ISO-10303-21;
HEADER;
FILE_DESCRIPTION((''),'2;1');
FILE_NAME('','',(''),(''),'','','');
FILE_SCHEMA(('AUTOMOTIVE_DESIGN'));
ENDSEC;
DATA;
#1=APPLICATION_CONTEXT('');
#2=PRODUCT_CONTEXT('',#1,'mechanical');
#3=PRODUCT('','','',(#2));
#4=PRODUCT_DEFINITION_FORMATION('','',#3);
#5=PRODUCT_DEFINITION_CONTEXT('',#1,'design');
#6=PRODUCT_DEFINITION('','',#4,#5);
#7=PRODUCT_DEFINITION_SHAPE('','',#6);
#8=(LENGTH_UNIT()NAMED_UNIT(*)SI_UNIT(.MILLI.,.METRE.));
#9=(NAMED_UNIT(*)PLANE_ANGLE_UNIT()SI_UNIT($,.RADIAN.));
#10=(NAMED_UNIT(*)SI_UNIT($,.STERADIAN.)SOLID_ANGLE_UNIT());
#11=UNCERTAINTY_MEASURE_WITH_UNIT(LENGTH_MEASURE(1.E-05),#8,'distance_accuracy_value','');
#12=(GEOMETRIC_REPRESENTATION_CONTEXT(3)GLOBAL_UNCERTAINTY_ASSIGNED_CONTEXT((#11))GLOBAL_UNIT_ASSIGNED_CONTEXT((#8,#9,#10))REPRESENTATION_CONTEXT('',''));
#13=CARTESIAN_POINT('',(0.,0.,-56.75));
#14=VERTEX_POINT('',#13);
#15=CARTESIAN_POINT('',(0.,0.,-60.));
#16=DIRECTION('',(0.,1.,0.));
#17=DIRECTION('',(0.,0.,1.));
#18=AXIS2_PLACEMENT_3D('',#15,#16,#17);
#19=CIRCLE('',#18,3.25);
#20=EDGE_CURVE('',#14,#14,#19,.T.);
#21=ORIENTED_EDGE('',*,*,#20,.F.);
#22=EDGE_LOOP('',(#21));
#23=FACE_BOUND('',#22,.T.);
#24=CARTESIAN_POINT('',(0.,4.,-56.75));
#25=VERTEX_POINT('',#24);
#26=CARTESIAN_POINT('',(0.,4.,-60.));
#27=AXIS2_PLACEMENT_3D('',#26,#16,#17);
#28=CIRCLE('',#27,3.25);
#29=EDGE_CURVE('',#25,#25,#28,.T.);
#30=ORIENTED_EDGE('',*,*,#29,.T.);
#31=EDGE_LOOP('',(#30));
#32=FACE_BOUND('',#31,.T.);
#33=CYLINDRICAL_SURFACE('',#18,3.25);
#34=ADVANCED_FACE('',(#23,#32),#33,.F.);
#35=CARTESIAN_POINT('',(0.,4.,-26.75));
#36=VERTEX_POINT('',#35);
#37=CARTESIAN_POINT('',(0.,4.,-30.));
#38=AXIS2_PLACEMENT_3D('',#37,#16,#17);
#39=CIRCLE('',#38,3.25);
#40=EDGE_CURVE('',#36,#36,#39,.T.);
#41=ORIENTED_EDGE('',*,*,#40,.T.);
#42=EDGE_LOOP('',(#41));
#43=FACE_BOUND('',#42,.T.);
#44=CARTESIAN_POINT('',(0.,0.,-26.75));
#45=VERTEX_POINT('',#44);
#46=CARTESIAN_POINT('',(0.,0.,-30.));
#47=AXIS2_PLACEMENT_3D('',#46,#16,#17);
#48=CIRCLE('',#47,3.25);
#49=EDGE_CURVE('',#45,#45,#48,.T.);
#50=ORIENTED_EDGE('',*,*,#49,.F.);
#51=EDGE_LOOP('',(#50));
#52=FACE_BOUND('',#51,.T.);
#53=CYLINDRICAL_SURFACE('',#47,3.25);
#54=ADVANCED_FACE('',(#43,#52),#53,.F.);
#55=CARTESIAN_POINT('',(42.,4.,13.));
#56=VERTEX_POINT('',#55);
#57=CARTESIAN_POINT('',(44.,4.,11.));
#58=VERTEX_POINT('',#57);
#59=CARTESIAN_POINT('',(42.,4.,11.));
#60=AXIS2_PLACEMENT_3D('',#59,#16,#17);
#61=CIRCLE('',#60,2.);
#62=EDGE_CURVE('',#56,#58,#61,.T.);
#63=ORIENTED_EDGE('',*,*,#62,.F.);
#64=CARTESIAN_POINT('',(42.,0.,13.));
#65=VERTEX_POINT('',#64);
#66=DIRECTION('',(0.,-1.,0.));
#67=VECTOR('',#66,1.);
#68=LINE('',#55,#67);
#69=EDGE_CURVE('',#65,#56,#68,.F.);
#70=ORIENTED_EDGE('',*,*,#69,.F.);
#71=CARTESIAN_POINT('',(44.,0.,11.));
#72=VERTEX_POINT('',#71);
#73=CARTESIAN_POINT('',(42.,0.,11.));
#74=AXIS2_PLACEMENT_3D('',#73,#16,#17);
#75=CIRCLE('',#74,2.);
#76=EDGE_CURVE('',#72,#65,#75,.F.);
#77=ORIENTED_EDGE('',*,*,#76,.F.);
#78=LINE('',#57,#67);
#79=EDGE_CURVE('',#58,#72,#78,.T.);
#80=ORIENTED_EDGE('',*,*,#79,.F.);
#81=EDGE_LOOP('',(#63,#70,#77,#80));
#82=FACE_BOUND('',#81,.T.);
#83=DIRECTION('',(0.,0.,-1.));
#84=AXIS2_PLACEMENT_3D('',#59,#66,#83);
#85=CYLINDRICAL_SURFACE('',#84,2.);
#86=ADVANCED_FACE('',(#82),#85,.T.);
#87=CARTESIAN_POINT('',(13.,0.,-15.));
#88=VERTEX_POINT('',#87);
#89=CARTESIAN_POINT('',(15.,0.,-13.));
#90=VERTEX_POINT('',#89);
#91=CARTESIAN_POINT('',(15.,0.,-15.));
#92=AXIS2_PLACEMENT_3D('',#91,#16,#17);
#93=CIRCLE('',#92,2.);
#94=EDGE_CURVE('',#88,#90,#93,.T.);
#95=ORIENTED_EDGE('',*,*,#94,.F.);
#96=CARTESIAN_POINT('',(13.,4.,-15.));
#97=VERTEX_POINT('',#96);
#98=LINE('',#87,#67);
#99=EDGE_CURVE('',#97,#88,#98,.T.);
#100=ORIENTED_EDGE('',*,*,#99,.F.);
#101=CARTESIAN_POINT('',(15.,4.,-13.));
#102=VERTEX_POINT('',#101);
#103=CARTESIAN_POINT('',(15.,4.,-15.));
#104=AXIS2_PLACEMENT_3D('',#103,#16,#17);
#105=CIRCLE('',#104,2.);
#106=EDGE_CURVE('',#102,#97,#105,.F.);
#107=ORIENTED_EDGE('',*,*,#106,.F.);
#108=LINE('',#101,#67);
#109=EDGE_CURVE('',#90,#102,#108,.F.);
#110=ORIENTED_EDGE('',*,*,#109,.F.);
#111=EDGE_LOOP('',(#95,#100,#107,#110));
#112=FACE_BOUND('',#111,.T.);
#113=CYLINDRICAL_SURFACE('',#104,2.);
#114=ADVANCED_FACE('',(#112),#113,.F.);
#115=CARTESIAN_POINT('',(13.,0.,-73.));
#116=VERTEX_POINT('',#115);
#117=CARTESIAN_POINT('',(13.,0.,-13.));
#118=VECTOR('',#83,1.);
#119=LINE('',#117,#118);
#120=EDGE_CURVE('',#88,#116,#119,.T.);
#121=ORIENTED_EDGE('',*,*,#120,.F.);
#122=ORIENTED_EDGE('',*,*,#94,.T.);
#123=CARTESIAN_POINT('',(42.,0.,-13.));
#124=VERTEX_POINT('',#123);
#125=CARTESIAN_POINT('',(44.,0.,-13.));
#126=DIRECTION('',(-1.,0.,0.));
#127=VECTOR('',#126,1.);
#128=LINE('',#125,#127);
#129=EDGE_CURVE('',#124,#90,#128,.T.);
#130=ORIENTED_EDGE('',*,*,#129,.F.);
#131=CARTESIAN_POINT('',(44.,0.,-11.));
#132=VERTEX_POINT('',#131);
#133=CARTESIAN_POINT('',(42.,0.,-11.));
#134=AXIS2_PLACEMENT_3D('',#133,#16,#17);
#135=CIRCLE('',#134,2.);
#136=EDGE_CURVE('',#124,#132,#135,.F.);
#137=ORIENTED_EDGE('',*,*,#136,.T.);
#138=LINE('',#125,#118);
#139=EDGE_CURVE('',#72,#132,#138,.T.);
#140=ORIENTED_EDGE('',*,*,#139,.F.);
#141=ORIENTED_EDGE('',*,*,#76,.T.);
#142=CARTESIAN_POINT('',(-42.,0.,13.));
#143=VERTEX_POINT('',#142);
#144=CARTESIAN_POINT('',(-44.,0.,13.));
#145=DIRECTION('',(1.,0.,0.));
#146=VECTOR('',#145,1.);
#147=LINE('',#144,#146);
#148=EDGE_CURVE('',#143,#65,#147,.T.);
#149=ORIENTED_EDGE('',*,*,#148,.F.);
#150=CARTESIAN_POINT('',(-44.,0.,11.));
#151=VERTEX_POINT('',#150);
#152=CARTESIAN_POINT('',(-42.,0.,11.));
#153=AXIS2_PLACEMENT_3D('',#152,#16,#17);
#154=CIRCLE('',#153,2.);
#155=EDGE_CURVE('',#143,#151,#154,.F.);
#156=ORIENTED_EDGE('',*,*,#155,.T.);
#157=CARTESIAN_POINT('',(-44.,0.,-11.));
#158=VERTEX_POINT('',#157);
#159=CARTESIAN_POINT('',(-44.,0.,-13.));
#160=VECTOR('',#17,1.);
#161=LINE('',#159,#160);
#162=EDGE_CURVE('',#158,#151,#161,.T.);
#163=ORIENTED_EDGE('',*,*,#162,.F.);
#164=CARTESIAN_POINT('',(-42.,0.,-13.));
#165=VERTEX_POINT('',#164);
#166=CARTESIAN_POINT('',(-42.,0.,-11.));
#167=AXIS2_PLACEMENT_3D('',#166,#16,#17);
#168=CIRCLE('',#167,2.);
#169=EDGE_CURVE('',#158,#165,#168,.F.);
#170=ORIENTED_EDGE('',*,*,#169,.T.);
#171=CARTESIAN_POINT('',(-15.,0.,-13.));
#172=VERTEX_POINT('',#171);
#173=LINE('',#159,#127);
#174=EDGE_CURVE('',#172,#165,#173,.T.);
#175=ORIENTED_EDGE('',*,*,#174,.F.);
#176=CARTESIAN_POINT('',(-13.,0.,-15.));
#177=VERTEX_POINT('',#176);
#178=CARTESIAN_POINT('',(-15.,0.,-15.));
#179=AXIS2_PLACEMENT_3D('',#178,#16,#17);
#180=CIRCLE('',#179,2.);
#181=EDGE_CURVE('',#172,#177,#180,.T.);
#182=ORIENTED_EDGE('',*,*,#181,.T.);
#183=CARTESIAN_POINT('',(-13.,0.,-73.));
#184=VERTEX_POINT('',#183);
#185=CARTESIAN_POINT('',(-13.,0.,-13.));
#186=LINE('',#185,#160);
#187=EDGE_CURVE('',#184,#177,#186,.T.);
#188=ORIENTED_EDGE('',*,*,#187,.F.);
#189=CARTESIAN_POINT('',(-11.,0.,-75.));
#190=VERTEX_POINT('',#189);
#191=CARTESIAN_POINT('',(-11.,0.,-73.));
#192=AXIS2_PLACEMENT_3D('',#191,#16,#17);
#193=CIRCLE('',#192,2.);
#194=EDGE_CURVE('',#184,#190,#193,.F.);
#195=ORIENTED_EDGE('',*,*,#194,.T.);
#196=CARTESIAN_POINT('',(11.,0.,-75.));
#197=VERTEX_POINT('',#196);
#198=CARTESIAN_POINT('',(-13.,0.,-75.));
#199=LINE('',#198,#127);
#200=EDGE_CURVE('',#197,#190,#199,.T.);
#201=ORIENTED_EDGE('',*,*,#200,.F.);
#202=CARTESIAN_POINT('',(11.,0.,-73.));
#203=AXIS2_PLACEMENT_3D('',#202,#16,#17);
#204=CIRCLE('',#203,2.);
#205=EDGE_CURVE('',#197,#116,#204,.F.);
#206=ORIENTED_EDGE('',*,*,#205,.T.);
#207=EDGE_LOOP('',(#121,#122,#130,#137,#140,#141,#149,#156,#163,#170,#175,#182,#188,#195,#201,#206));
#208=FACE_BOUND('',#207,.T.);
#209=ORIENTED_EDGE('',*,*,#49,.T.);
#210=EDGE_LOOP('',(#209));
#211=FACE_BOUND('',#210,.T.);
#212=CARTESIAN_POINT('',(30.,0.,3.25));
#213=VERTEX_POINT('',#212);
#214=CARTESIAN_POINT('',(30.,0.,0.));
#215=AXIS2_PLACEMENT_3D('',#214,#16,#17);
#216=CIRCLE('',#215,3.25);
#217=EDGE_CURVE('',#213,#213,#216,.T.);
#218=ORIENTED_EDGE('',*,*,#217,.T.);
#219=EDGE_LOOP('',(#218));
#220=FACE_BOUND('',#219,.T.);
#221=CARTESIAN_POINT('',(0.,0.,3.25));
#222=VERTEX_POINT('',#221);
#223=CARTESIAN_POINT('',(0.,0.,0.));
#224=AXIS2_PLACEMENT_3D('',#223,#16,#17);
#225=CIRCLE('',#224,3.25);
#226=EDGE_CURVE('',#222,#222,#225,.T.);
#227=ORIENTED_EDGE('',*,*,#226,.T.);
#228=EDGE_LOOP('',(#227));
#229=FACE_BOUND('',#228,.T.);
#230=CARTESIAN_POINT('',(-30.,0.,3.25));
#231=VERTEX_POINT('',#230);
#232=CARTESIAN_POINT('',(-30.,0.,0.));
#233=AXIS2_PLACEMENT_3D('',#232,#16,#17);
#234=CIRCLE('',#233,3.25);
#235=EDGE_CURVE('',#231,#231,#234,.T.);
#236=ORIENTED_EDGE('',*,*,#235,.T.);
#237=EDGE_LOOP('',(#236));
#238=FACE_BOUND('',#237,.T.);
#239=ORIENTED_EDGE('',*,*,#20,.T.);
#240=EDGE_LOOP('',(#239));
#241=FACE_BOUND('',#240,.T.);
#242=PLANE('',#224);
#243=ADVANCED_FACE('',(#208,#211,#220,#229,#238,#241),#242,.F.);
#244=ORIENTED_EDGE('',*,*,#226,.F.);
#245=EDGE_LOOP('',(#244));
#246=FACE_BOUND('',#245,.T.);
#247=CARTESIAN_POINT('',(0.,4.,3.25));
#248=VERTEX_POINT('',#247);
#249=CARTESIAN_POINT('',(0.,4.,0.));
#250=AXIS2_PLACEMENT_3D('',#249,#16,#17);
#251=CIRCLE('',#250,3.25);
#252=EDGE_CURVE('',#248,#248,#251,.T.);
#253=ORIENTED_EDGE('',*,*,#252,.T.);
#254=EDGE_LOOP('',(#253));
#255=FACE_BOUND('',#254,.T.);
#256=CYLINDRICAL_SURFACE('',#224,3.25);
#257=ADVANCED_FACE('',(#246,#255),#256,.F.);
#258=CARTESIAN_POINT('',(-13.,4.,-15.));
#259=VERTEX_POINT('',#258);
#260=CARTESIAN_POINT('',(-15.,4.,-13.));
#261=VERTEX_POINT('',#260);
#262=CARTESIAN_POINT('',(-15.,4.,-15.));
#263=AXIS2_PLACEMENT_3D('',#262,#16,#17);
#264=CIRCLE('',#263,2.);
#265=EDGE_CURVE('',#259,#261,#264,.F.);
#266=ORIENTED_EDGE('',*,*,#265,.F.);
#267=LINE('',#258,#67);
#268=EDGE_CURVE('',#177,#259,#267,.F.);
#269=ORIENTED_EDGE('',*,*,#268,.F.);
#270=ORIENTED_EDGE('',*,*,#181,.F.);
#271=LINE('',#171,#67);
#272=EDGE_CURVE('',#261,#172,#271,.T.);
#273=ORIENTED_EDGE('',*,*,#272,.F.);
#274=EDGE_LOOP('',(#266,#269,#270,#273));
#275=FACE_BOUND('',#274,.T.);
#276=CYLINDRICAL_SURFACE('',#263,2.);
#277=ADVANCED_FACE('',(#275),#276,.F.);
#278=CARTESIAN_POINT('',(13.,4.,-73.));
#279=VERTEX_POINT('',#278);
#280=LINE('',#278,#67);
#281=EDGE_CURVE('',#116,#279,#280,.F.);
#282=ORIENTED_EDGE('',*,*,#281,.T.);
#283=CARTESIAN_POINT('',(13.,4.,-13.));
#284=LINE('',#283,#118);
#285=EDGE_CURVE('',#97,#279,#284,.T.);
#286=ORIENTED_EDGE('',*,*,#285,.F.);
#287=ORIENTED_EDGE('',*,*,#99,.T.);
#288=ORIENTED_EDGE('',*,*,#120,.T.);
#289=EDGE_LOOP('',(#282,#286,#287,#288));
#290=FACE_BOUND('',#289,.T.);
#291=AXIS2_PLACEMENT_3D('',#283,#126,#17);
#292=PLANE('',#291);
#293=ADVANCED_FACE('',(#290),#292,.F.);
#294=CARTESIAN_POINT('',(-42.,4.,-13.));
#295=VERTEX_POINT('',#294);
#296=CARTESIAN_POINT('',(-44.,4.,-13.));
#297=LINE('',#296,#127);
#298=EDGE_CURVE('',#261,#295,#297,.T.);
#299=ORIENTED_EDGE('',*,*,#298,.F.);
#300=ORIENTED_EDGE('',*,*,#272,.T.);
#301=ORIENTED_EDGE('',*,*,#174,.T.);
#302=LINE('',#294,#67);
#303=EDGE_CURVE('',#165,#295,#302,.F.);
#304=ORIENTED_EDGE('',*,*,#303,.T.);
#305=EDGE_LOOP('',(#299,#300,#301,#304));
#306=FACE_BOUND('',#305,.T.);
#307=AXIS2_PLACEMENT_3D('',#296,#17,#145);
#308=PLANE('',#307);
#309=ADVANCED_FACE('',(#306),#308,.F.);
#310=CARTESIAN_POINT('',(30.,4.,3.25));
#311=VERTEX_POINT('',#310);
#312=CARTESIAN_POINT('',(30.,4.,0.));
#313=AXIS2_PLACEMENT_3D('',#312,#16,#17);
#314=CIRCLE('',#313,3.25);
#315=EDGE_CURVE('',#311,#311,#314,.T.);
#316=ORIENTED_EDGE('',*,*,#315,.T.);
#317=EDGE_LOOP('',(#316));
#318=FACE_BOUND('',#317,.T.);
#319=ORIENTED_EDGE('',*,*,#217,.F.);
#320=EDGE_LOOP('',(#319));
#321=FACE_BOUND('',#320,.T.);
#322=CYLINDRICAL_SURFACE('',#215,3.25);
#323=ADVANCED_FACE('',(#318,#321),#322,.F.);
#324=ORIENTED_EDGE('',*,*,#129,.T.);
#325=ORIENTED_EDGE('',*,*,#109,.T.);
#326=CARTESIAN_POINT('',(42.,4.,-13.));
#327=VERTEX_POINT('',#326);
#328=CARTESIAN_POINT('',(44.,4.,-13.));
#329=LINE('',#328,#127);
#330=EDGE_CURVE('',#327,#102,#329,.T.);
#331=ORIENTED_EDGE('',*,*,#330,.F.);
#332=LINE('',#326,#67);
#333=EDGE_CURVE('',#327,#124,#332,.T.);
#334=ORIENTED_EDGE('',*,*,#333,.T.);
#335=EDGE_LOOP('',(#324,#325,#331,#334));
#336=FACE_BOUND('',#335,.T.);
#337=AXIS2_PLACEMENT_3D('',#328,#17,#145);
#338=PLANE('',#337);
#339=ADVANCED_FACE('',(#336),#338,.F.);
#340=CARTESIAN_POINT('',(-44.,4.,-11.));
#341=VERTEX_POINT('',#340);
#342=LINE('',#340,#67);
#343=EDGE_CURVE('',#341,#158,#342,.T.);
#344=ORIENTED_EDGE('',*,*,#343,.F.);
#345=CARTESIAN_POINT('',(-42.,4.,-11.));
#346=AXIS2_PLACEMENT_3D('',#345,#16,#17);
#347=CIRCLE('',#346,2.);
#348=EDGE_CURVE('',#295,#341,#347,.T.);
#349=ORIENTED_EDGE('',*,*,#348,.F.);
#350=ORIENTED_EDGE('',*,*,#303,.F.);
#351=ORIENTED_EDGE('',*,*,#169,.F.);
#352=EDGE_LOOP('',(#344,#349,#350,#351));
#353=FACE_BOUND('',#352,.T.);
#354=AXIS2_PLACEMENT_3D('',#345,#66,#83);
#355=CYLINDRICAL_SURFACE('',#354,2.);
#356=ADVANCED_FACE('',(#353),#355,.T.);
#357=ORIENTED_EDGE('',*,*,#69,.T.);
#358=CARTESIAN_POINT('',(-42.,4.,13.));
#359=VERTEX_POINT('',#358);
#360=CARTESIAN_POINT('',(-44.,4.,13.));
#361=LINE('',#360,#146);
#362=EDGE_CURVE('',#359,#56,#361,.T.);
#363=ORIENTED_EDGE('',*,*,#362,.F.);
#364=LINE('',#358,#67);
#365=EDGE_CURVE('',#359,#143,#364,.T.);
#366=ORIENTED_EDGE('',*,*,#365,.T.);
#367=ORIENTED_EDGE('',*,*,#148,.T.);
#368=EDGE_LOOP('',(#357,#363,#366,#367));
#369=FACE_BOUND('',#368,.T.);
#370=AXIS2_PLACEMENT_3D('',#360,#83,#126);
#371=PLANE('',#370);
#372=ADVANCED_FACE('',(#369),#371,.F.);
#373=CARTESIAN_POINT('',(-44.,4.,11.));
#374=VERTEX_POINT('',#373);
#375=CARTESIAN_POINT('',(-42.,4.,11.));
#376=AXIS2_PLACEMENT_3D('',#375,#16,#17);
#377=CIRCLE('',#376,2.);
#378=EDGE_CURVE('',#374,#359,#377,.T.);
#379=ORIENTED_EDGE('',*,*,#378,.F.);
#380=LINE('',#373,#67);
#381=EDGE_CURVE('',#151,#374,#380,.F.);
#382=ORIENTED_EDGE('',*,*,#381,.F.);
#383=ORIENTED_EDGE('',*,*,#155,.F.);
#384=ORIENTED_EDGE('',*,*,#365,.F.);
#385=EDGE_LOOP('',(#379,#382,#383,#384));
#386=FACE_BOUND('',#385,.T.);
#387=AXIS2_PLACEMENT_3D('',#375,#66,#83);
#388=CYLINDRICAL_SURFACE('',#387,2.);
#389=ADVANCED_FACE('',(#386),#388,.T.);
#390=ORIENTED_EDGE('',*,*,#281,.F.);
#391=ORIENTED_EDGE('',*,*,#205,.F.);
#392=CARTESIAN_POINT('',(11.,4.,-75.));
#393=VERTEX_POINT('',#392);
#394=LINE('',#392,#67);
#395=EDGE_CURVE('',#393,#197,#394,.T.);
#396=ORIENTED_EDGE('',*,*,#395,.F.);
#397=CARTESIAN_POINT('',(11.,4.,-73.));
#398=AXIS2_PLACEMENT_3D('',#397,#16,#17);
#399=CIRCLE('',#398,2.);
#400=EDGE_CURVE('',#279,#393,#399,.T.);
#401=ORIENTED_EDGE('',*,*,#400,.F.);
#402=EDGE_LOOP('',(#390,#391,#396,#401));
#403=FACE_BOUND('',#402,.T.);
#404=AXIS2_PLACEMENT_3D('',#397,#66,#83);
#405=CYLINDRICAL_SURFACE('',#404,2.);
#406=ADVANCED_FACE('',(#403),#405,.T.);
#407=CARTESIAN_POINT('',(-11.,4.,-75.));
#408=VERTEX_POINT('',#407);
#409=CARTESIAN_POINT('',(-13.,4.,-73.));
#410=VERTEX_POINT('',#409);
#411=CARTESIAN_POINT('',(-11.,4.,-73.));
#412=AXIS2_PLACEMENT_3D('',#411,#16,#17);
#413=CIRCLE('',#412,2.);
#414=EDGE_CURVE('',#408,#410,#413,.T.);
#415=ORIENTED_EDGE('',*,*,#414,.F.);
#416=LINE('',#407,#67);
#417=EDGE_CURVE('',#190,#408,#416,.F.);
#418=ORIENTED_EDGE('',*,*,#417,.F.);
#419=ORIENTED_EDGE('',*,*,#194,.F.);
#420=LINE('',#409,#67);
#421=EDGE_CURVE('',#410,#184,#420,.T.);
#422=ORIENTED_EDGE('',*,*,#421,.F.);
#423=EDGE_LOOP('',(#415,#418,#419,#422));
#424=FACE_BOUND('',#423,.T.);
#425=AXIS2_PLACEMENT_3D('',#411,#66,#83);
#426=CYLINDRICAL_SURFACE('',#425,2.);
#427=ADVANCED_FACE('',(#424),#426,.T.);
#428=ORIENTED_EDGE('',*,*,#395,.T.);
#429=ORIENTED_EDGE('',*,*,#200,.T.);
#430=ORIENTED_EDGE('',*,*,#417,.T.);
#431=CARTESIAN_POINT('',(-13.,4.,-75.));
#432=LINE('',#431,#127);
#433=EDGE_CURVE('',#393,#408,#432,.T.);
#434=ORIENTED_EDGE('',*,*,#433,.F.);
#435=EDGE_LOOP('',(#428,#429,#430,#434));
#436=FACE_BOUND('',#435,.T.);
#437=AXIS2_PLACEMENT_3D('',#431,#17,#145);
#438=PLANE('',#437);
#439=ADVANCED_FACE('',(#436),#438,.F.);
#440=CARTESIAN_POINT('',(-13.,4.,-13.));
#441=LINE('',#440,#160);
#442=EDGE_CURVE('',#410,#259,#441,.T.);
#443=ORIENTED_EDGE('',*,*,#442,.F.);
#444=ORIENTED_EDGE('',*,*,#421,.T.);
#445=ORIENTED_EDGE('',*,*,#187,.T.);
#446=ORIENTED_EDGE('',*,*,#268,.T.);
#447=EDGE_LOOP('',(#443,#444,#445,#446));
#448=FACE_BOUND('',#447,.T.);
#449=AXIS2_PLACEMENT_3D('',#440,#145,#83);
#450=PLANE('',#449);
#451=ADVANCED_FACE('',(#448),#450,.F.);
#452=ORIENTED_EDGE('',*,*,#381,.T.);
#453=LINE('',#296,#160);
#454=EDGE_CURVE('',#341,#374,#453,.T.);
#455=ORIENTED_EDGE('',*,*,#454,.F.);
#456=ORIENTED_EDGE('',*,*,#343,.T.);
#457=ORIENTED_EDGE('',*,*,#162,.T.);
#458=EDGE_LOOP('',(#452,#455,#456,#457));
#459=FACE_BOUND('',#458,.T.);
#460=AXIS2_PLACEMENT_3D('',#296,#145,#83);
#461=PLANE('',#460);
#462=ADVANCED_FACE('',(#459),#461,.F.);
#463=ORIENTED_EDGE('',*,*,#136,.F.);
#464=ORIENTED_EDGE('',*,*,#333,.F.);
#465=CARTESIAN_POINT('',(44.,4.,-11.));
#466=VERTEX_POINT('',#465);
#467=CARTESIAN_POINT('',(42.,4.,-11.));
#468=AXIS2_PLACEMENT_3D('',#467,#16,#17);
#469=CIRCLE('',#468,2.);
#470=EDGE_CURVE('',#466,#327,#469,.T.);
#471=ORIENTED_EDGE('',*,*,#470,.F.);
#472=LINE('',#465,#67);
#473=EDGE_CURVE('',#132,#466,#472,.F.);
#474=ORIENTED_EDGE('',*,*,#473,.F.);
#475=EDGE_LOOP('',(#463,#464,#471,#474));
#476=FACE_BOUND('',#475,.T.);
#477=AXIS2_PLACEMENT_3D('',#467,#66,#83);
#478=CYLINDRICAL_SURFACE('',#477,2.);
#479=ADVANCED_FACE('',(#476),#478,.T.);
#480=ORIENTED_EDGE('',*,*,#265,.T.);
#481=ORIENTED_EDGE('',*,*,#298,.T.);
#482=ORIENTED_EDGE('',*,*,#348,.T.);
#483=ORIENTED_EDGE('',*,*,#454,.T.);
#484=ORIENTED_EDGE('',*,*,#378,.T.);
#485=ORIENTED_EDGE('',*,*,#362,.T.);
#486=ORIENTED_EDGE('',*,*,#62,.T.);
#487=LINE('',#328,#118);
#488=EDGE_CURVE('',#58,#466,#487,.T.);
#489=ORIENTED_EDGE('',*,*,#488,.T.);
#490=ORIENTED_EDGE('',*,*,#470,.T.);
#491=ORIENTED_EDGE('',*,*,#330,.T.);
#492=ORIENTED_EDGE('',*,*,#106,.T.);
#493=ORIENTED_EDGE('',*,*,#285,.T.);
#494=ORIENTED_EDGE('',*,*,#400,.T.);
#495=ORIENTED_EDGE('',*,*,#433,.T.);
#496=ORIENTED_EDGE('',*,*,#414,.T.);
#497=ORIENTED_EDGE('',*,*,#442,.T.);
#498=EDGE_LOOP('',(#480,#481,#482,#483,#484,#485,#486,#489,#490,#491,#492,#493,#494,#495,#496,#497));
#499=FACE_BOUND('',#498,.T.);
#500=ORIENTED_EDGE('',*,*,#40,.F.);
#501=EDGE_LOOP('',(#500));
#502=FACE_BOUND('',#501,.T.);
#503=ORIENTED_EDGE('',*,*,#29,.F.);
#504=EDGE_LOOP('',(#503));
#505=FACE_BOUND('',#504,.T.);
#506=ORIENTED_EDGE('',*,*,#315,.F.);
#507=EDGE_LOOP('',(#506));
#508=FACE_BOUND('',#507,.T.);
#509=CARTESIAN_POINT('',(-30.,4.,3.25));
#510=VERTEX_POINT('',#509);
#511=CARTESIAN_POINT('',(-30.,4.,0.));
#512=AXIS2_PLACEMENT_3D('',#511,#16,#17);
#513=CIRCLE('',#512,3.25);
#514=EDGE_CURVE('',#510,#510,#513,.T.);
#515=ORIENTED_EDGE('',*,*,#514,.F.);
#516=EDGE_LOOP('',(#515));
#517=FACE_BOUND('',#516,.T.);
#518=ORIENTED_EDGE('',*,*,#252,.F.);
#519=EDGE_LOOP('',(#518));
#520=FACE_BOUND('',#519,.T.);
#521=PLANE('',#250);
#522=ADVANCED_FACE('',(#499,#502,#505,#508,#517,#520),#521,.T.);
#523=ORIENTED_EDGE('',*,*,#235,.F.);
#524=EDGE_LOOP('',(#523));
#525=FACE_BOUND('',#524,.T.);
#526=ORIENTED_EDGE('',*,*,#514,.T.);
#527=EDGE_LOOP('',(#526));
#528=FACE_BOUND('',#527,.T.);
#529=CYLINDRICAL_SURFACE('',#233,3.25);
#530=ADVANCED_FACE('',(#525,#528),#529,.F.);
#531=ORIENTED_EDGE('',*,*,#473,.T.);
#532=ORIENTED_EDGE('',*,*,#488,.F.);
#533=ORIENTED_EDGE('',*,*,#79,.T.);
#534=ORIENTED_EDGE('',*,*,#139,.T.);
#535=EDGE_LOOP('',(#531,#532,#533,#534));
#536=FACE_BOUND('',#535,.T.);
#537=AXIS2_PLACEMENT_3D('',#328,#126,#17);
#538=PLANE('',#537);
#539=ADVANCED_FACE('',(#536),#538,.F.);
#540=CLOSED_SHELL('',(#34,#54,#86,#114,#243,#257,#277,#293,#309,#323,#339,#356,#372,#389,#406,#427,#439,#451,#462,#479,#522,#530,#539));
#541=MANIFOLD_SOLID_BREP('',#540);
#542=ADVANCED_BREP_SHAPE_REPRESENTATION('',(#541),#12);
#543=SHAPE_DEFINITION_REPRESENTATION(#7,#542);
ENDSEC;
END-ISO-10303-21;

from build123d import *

# Parameters (mm, degrees)
BOSS_EXTRUDE1_DEPTH = 4
SKETCH3_R           = 3.25
CUT_EXTRUDE1_DEPTH  = 88.045964869
FILLET1_R           = 2


with BuildPart() as part:
    # Sketch1 → Boss-Extrude1 (new body)
    with BuildSketch(Plane(origin=(0, 0, 0), x_dir=(1, 0, 0), z_dir=(0, 1, 0))):
        Polygon((-44, 13), (-44, -13), (44, -13), (44, 13), (13, 13), (13, 75), (-13, 75), (-13, 13), align=None)
    extrude(amount=BOSS_EXTRUDE1_DEPTH)

    # Sketch3 → Cut-Extrude1 (cut, through all)
    with BuildSketch(Plane(origin=(0, 4, 0), x_dir=(1, 0, 0), z_dir=(0, 1, 0))):
        with Locations(Location((0, 0, 0), (0, 0, 270))):
            Circle(SKETCH3_R)
        with Locations(Location((30, 0, 0), (0, 0, 270))):
            Circle(SKETCH3_R)
        with Locations(Location((-30, 0, 0), (0, 0, 270))):
            Circle(SKETCH3_R)
        with Locations(Location((0, 60, 0), (0, 0, 270))):
            Circle(SKETCH3_R)
        with Locations(Location((0, 30, 0), (0, 0, 270))):
            Circle(SKETCH3_R)
    extrude(amount=-CUT_EXTRUDE1_DEPTH, mode=Mode.SUBTRACT)

    # Fillet1
    fillet1_edges = [part.edges().sort_by_distance(p)[0] for p in [
        (44, 2, 13),
        (-44, 2, 13),
        (-44, 2, -13),
        (-13, 2, -13),
        (-13, 2, -75),
        (13, 2, -75),
        (13, 2, -13),
        (44, 2, -13),
    ]]
    fillet(fillet1_edges, radius=FILLET1_R)


solid = part.part
